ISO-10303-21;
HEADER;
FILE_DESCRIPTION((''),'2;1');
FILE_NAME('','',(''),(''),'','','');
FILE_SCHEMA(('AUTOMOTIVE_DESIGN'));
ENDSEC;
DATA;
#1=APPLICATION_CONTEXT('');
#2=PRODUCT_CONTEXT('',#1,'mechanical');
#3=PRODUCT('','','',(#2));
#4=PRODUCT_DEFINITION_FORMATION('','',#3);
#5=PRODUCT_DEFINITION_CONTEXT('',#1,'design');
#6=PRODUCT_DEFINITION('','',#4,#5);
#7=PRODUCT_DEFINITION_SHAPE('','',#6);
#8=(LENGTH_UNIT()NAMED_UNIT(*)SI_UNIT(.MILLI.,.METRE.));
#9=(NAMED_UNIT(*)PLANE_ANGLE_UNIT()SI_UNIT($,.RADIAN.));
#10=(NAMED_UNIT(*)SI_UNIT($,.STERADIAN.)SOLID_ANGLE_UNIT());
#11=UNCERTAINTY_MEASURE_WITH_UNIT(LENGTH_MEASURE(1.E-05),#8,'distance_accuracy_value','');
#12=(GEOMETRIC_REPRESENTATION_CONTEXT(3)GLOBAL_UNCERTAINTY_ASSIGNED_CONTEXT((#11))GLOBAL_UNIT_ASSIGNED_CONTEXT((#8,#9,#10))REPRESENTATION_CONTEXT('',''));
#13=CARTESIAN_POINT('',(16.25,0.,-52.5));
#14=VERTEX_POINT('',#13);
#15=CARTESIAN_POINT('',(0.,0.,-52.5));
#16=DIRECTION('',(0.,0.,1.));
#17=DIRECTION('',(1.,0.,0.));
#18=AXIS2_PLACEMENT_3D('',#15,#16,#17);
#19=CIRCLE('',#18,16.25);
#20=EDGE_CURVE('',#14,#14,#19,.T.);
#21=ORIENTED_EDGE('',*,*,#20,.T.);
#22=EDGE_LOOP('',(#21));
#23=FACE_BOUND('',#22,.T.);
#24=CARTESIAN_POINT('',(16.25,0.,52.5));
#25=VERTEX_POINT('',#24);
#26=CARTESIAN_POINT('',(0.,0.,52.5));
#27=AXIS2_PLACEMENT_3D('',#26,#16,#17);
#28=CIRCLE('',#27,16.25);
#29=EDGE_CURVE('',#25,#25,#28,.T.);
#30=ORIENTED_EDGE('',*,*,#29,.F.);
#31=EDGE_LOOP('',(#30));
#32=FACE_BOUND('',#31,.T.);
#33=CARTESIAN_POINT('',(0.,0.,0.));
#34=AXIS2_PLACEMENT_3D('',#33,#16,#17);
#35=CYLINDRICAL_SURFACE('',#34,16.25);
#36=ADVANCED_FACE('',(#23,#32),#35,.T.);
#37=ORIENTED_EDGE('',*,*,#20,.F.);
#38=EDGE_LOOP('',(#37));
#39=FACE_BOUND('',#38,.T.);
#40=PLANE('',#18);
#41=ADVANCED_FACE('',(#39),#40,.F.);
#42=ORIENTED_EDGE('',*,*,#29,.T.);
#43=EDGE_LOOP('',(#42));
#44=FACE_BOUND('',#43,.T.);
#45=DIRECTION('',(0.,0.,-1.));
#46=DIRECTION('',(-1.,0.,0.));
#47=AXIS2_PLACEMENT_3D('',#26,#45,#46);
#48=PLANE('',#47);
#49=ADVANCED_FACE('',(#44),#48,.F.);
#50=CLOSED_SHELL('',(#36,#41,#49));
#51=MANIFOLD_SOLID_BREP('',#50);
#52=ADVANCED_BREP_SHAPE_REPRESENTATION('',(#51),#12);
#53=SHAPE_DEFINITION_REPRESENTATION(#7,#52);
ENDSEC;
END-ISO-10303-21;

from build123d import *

# Parameters (mm, degrees)
SKETCH1_W = 105
SKETCH1_H = 16.25


with BuildPart() as part:
    # Sketch1 → Revolve1 (revolve)
    with BuildSketch(Plane(origin=(0, 0, 0), x_dir=(0, 0, -1), z_dir=(1, 0, 0))):
        with Locations((0, 8.125)):
            Rectangle(SKETCH1_W, SKETCH1_H)
    revolve(axis=Axis((0, 0, 0), (0, 0, -1)))


solid = part.part
